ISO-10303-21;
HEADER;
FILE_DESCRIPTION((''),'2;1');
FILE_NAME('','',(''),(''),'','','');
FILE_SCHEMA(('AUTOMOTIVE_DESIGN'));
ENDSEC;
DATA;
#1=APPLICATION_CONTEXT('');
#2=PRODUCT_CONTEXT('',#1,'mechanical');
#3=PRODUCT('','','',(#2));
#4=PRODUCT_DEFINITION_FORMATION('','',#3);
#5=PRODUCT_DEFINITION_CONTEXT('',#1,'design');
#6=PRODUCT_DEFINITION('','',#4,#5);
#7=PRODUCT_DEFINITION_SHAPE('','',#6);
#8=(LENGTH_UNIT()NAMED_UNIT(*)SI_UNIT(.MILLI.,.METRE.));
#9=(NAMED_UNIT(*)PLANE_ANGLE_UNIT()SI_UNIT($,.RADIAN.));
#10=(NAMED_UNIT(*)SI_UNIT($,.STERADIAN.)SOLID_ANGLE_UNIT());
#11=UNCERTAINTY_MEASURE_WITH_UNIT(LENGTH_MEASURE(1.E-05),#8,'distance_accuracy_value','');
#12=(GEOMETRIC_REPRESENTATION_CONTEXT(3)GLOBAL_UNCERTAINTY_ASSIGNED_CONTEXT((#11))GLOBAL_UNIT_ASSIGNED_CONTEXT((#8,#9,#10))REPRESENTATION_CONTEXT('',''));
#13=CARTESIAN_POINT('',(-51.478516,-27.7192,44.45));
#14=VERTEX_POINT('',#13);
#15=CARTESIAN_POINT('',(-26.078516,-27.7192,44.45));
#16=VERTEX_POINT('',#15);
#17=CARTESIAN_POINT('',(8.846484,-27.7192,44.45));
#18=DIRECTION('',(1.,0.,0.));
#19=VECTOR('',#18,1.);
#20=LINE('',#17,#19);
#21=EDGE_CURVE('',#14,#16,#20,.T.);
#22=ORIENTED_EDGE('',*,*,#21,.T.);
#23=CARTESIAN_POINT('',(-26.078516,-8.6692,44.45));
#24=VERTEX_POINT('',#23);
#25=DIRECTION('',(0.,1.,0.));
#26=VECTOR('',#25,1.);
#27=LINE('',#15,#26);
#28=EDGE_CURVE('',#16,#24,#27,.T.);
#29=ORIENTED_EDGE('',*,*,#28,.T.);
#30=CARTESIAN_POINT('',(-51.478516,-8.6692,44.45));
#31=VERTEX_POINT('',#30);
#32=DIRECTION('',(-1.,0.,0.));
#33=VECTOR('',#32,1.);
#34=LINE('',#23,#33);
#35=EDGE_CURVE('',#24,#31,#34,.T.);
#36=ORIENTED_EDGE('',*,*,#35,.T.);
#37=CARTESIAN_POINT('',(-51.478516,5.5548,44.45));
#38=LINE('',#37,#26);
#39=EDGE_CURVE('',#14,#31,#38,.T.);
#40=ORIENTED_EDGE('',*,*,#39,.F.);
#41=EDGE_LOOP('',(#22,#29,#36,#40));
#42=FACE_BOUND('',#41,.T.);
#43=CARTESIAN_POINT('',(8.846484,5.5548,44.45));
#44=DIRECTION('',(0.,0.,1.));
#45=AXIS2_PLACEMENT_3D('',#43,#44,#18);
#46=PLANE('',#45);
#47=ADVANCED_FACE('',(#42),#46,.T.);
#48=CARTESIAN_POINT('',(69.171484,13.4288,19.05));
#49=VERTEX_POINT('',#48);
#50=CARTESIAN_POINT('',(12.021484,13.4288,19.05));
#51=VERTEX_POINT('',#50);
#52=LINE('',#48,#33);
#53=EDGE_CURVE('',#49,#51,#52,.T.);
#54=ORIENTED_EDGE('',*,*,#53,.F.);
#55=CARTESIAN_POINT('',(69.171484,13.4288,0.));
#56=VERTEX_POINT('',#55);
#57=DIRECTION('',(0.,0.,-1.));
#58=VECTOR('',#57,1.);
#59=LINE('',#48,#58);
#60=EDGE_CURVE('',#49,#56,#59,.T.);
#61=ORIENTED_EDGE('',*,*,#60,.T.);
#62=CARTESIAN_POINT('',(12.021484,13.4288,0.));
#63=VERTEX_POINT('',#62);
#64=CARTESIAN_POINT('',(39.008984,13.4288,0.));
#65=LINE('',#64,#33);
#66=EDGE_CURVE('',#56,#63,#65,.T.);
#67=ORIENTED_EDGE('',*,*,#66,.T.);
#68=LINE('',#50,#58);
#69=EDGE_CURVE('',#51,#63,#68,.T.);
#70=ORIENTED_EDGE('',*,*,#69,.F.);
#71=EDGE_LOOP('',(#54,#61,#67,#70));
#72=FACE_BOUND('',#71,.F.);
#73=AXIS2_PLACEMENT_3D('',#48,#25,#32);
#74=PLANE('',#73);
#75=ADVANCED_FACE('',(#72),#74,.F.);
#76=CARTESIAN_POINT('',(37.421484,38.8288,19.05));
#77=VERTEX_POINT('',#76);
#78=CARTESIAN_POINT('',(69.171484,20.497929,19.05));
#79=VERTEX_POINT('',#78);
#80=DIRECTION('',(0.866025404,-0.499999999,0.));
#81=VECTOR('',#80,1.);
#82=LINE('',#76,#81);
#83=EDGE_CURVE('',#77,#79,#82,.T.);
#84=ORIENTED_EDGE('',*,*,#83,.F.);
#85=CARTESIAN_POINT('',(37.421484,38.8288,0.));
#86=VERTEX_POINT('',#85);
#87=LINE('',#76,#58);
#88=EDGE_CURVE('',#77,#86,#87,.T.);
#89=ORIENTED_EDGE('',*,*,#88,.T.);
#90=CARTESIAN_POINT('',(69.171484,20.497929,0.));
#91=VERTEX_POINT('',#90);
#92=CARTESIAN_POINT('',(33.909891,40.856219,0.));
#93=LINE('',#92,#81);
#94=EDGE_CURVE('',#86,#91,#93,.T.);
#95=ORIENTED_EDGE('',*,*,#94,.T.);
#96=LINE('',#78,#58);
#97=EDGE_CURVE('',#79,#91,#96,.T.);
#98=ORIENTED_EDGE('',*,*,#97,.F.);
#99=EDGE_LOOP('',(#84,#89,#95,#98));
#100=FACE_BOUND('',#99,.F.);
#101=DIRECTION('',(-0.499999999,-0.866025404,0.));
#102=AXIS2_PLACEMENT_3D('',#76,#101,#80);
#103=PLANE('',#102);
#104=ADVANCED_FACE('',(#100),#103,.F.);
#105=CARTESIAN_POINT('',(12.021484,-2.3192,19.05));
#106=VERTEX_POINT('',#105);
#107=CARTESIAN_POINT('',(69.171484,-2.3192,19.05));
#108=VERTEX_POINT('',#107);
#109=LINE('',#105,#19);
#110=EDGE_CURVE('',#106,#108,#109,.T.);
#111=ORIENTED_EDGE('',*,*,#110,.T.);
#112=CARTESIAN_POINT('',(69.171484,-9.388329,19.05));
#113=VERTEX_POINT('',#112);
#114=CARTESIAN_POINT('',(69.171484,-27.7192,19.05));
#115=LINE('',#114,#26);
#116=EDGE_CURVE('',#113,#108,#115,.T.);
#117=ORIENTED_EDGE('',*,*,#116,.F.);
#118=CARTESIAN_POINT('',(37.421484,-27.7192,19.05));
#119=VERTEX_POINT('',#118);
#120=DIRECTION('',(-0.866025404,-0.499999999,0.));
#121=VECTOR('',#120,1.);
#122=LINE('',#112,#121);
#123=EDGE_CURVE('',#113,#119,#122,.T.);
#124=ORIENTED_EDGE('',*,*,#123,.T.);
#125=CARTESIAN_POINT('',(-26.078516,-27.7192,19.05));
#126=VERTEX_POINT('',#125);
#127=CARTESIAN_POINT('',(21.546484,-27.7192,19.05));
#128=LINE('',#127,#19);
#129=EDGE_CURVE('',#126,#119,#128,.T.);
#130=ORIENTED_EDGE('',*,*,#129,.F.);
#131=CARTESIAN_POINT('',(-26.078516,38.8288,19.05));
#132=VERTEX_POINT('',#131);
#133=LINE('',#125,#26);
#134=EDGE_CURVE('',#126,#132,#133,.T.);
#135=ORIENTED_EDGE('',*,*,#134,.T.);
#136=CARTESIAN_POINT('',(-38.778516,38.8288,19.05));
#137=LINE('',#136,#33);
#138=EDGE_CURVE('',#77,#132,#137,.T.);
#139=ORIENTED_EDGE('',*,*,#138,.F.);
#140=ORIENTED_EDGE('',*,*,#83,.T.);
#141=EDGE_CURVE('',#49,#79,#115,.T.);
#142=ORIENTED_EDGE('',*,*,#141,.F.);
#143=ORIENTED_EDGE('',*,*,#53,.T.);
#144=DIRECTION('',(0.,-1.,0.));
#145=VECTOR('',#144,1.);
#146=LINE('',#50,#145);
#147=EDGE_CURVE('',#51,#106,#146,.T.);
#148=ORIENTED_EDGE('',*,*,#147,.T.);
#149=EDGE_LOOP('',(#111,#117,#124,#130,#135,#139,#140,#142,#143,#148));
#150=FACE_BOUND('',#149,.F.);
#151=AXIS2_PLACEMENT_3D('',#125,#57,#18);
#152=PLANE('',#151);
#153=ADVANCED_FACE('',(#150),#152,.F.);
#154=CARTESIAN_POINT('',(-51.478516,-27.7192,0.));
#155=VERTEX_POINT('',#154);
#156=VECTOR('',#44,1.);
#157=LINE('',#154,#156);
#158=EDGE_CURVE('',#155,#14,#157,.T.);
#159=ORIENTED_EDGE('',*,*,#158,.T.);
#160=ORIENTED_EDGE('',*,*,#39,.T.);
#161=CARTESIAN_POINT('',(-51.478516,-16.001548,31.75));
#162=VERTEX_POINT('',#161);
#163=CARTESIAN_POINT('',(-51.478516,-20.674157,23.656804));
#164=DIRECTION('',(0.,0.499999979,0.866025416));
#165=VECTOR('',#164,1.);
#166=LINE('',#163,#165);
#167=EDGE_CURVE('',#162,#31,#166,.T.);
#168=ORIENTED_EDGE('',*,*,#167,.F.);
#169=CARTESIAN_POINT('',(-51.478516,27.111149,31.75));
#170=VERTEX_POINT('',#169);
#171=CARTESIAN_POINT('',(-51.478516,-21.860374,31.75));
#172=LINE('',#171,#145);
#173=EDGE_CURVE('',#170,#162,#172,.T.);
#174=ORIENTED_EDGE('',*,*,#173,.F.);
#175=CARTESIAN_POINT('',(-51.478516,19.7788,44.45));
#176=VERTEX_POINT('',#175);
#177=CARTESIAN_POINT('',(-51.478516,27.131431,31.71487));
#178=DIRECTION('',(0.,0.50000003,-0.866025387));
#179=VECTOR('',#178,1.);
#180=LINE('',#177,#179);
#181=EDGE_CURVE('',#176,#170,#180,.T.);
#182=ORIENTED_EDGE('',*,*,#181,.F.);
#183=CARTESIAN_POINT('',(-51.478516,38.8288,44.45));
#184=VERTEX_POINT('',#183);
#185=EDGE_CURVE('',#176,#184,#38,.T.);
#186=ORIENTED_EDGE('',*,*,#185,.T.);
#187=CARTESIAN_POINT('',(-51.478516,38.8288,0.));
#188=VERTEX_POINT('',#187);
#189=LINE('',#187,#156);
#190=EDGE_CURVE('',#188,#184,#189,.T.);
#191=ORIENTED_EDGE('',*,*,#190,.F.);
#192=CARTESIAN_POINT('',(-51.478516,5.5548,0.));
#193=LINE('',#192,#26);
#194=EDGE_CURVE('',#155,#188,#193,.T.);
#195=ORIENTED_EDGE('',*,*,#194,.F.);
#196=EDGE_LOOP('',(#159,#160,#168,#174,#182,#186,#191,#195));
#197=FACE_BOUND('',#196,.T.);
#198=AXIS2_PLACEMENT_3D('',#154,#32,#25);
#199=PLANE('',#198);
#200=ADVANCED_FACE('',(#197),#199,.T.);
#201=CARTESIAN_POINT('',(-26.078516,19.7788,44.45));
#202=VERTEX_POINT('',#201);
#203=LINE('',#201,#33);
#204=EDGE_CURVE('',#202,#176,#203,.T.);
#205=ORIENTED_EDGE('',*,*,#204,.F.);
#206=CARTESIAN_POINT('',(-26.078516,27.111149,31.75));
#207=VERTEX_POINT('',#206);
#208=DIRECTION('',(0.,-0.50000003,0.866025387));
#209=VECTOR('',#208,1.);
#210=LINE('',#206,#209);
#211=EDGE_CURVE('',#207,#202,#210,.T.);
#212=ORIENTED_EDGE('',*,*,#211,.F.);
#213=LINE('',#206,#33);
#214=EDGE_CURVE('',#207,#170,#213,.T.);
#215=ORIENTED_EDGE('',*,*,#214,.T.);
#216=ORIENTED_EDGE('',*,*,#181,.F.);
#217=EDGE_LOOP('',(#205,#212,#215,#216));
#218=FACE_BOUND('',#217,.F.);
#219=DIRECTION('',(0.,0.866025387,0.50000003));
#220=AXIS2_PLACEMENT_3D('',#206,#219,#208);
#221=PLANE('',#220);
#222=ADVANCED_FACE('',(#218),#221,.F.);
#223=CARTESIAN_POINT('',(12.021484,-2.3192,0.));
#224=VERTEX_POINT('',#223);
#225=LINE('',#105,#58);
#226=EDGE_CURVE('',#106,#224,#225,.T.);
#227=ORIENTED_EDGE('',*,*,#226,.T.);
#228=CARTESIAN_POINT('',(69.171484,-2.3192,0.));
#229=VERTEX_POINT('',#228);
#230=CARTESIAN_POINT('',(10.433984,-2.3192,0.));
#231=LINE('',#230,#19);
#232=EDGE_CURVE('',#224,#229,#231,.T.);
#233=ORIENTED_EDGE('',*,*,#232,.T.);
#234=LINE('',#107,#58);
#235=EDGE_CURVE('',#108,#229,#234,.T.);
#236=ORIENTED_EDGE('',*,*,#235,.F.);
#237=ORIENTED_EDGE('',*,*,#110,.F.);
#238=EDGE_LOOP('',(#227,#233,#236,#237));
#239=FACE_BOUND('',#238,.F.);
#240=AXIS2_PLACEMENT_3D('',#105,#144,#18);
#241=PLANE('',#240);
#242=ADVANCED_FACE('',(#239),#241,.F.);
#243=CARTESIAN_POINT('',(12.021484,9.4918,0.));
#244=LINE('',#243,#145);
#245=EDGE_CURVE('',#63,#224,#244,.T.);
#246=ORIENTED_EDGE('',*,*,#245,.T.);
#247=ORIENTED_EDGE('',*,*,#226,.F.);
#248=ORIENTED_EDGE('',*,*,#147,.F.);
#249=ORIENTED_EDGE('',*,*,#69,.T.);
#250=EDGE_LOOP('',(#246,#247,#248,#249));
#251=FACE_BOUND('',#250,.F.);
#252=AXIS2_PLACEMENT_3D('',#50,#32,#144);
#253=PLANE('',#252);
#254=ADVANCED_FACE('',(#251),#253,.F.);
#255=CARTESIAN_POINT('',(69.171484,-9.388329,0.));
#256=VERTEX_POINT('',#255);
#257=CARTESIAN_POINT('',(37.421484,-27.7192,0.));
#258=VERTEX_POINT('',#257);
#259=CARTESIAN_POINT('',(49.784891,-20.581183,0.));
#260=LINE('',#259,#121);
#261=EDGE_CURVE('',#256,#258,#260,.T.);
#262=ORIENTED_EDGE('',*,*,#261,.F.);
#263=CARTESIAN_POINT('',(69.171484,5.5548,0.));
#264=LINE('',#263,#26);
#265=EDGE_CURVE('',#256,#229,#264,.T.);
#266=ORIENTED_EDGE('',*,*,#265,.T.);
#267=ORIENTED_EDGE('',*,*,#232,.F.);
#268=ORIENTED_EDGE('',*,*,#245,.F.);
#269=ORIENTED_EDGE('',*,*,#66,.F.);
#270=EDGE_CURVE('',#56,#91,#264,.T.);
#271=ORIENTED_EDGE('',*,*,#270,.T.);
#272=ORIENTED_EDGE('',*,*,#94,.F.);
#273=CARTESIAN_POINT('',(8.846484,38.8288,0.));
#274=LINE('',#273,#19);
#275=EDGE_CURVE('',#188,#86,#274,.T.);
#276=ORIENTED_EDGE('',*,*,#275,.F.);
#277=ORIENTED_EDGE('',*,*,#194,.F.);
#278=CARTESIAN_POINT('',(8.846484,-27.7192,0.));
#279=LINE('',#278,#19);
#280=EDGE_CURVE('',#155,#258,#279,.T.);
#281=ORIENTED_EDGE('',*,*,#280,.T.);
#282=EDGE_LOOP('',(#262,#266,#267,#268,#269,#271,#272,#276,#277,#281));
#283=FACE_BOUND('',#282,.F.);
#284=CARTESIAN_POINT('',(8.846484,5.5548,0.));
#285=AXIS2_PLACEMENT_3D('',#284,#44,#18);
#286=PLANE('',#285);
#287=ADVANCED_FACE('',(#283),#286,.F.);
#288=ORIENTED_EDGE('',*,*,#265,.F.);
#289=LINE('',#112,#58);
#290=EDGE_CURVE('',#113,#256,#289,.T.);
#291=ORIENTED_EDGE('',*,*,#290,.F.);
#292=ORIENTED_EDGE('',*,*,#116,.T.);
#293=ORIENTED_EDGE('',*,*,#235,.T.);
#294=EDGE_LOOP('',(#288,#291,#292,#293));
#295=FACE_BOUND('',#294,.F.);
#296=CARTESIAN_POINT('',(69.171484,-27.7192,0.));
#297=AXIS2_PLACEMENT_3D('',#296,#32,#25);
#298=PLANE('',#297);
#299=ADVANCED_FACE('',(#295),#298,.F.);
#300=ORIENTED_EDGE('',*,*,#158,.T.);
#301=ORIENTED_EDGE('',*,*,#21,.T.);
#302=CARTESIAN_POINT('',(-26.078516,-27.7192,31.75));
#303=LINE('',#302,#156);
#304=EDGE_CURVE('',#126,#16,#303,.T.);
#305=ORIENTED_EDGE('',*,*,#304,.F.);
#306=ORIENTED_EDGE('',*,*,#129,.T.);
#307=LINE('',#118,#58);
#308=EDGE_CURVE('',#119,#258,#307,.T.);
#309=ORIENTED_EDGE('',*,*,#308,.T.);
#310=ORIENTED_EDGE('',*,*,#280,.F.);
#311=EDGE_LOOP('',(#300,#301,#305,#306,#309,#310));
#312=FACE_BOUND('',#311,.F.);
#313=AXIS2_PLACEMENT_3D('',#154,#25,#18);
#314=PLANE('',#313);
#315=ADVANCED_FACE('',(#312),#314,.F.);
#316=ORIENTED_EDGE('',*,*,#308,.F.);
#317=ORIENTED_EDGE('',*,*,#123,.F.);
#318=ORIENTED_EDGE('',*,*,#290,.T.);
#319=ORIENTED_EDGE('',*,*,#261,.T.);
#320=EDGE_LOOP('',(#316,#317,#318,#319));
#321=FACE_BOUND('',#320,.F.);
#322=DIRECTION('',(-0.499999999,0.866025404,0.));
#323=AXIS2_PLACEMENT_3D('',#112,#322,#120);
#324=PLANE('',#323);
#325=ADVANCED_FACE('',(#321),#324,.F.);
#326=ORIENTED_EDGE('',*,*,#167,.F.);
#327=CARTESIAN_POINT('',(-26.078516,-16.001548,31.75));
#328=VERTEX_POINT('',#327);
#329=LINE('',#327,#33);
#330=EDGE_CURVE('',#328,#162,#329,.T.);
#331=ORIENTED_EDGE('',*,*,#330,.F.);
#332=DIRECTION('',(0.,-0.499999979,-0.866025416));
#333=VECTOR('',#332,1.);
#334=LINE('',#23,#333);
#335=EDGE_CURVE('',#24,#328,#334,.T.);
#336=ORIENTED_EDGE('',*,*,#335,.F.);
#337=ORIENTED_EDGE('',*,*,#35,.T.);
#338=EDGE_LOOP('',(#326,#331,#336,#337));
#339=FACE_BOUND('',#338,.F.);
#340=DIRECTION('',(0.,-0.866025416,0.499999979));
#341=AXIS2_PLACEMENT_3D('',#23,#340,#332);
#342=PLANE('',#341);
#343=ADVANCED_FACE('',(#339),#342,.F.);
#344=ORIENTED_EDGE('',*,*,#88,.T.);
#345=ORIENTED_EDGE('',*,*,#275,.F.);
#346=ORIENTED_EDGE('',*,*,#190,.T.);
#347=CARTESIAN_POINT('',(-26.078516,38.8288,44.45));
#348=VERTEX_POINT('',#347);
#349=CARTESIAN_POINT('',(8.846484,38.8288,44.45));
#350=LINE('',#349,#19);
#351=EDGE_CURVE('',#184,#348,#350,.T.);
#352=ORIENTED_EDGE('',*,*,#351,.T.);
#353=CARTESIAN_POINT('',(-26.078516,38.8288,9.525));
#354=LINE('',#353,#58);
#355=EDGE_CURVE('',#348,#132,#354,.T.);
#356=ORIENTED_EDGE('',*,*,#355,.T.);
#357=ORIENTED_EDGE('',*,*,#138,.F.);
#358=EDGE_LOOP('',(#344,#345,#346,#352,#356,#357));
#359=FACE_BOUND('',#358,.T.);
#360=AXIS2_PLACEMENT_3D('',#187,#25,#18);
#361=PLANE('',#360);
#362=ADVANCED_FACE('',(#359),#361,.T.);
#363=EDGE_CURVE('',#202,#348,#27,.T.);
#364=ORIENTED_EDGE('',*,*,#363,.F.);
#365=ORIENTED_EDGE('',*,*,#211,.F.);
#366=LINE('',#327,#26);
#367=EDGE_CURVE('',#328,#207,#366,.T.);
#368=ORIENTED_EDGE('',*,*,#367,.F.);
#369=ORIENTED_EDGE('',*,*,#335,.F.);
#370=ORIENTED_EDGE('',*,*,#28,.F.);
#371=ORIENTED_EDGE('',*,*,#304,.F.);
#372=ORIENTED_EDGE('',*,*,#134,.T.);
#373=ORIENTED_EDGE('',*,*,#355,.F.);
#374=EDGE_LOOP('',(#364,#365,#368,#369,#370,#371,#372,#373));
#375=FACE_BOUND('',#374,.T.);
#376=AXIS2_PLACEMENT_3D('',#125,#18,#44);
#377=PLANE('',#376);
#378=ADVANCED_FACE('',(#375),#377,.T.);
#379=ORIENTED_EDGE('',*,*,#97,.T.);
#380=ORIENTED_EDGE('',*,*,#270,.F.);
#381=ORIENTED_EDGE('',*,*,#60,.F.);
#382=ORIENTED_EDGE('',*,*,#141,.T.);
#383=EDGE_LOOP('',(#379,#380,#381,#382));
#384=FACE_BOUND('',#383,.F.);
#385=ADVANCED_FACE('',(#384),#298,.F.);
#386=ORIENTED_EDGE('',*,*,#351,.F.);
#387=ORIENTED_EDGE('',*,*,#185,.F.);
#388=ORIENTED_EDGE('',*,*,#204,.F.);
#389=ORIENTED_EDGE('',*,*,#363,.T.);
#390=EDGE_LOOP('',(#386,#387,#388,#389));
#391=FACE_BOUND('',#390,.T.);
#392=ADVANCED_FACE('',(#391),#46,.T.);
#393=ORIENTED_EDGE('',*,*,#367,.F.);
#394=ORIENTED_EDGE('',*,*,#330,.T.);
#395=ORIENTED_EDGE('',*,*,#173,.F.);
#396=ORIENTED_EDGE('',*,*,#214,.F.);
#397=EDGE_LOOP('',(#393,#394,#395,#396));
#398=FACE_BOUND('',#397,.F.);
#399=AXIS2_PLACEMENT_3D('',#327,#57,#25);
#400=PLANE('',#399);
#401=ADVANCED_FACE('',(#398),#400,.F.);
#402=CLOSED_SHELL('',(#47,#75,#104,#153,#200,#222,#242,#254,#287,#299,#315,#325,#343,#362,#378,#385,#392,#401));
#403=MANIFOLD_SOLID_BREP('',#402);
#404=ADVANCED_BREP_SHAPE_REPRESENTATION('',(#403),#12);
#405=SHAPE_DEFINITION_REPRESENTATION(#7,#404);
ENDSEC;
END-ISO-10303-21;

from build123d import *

# Parameters (mm, degrees)
F0_W     = 120.65
F0_H     = 66.548
F1_DEPTH = 44.45
F2_W     = 95.25
F2_H     = 25.4
F3_DEPTH = 182.372
F5_DEPTH = 80.518
F7_DEPTH = 103.632
F9_DEPTH = 44.196


with BuildPart() as f1:
    # F0 (on Top) → F1 (new body)
    with BuildSketch(Plane.XY):
        with Locations((8.846484, 5.5548)):
            Rectangle(F0_W, F0_H)
    extrude(amount=F1_DEPTH)

    # F2 (on face) → F3 (cut)
    with BuildSketch(Plane.XZ.offset(27.7192)):
        with Locations((21.546484, 31.75)):
            Rectangle(F2_W, F2_H)
    extrude(amount=-F3_DEPTH, mode=Mode.SUBTRACT)

    # F4 (on face) → F5 (cut)
    with BuildSketch(Plane.XY.offset(19.05)):
        Polygon((69.171484, 5.5548), (69.171484, 13.4288), (12.021484, 13.4288), (12.021484, 5.5548), (12.021484, -2.3192), (69.171484, -2.3192), align=None)
    extrude(amount=-F5_DEPTH, mode=Mode.SUBTRACT)

    # F6 (on face) → F7 (cut)
    with BuildSketch(Plane.YZ.offset(-26.078516)):
        Polygon((5.5548, 44.45), (-8.6692, 44.45), (-16.001548, 31.75), (-8.6692, 31.75), (5.5548, 31.75), (19.7788, 31.75), (27.111149, 31.75), (19.7788, 44.45), align=None)
    extrude(amount=-F7_DEPTH, mode=Mode.SUBTRACT)

    # F8 (on face) → F9 (cut)
    with BuildSketch(Plane.XY.offset(19.05)):
        Polygon((37.421484, -27.7192), (69.171484, -27.7192), (69.171484, -9.388329), align=None)
        Polygon((69.171484, 20.497929), (69.171484, 38.8288), (37.421484, 38.8288), align=None)
    extrude(amount=-F9_DEPTH, mode=Mode.SUBTRACT)


solid = f1.part
